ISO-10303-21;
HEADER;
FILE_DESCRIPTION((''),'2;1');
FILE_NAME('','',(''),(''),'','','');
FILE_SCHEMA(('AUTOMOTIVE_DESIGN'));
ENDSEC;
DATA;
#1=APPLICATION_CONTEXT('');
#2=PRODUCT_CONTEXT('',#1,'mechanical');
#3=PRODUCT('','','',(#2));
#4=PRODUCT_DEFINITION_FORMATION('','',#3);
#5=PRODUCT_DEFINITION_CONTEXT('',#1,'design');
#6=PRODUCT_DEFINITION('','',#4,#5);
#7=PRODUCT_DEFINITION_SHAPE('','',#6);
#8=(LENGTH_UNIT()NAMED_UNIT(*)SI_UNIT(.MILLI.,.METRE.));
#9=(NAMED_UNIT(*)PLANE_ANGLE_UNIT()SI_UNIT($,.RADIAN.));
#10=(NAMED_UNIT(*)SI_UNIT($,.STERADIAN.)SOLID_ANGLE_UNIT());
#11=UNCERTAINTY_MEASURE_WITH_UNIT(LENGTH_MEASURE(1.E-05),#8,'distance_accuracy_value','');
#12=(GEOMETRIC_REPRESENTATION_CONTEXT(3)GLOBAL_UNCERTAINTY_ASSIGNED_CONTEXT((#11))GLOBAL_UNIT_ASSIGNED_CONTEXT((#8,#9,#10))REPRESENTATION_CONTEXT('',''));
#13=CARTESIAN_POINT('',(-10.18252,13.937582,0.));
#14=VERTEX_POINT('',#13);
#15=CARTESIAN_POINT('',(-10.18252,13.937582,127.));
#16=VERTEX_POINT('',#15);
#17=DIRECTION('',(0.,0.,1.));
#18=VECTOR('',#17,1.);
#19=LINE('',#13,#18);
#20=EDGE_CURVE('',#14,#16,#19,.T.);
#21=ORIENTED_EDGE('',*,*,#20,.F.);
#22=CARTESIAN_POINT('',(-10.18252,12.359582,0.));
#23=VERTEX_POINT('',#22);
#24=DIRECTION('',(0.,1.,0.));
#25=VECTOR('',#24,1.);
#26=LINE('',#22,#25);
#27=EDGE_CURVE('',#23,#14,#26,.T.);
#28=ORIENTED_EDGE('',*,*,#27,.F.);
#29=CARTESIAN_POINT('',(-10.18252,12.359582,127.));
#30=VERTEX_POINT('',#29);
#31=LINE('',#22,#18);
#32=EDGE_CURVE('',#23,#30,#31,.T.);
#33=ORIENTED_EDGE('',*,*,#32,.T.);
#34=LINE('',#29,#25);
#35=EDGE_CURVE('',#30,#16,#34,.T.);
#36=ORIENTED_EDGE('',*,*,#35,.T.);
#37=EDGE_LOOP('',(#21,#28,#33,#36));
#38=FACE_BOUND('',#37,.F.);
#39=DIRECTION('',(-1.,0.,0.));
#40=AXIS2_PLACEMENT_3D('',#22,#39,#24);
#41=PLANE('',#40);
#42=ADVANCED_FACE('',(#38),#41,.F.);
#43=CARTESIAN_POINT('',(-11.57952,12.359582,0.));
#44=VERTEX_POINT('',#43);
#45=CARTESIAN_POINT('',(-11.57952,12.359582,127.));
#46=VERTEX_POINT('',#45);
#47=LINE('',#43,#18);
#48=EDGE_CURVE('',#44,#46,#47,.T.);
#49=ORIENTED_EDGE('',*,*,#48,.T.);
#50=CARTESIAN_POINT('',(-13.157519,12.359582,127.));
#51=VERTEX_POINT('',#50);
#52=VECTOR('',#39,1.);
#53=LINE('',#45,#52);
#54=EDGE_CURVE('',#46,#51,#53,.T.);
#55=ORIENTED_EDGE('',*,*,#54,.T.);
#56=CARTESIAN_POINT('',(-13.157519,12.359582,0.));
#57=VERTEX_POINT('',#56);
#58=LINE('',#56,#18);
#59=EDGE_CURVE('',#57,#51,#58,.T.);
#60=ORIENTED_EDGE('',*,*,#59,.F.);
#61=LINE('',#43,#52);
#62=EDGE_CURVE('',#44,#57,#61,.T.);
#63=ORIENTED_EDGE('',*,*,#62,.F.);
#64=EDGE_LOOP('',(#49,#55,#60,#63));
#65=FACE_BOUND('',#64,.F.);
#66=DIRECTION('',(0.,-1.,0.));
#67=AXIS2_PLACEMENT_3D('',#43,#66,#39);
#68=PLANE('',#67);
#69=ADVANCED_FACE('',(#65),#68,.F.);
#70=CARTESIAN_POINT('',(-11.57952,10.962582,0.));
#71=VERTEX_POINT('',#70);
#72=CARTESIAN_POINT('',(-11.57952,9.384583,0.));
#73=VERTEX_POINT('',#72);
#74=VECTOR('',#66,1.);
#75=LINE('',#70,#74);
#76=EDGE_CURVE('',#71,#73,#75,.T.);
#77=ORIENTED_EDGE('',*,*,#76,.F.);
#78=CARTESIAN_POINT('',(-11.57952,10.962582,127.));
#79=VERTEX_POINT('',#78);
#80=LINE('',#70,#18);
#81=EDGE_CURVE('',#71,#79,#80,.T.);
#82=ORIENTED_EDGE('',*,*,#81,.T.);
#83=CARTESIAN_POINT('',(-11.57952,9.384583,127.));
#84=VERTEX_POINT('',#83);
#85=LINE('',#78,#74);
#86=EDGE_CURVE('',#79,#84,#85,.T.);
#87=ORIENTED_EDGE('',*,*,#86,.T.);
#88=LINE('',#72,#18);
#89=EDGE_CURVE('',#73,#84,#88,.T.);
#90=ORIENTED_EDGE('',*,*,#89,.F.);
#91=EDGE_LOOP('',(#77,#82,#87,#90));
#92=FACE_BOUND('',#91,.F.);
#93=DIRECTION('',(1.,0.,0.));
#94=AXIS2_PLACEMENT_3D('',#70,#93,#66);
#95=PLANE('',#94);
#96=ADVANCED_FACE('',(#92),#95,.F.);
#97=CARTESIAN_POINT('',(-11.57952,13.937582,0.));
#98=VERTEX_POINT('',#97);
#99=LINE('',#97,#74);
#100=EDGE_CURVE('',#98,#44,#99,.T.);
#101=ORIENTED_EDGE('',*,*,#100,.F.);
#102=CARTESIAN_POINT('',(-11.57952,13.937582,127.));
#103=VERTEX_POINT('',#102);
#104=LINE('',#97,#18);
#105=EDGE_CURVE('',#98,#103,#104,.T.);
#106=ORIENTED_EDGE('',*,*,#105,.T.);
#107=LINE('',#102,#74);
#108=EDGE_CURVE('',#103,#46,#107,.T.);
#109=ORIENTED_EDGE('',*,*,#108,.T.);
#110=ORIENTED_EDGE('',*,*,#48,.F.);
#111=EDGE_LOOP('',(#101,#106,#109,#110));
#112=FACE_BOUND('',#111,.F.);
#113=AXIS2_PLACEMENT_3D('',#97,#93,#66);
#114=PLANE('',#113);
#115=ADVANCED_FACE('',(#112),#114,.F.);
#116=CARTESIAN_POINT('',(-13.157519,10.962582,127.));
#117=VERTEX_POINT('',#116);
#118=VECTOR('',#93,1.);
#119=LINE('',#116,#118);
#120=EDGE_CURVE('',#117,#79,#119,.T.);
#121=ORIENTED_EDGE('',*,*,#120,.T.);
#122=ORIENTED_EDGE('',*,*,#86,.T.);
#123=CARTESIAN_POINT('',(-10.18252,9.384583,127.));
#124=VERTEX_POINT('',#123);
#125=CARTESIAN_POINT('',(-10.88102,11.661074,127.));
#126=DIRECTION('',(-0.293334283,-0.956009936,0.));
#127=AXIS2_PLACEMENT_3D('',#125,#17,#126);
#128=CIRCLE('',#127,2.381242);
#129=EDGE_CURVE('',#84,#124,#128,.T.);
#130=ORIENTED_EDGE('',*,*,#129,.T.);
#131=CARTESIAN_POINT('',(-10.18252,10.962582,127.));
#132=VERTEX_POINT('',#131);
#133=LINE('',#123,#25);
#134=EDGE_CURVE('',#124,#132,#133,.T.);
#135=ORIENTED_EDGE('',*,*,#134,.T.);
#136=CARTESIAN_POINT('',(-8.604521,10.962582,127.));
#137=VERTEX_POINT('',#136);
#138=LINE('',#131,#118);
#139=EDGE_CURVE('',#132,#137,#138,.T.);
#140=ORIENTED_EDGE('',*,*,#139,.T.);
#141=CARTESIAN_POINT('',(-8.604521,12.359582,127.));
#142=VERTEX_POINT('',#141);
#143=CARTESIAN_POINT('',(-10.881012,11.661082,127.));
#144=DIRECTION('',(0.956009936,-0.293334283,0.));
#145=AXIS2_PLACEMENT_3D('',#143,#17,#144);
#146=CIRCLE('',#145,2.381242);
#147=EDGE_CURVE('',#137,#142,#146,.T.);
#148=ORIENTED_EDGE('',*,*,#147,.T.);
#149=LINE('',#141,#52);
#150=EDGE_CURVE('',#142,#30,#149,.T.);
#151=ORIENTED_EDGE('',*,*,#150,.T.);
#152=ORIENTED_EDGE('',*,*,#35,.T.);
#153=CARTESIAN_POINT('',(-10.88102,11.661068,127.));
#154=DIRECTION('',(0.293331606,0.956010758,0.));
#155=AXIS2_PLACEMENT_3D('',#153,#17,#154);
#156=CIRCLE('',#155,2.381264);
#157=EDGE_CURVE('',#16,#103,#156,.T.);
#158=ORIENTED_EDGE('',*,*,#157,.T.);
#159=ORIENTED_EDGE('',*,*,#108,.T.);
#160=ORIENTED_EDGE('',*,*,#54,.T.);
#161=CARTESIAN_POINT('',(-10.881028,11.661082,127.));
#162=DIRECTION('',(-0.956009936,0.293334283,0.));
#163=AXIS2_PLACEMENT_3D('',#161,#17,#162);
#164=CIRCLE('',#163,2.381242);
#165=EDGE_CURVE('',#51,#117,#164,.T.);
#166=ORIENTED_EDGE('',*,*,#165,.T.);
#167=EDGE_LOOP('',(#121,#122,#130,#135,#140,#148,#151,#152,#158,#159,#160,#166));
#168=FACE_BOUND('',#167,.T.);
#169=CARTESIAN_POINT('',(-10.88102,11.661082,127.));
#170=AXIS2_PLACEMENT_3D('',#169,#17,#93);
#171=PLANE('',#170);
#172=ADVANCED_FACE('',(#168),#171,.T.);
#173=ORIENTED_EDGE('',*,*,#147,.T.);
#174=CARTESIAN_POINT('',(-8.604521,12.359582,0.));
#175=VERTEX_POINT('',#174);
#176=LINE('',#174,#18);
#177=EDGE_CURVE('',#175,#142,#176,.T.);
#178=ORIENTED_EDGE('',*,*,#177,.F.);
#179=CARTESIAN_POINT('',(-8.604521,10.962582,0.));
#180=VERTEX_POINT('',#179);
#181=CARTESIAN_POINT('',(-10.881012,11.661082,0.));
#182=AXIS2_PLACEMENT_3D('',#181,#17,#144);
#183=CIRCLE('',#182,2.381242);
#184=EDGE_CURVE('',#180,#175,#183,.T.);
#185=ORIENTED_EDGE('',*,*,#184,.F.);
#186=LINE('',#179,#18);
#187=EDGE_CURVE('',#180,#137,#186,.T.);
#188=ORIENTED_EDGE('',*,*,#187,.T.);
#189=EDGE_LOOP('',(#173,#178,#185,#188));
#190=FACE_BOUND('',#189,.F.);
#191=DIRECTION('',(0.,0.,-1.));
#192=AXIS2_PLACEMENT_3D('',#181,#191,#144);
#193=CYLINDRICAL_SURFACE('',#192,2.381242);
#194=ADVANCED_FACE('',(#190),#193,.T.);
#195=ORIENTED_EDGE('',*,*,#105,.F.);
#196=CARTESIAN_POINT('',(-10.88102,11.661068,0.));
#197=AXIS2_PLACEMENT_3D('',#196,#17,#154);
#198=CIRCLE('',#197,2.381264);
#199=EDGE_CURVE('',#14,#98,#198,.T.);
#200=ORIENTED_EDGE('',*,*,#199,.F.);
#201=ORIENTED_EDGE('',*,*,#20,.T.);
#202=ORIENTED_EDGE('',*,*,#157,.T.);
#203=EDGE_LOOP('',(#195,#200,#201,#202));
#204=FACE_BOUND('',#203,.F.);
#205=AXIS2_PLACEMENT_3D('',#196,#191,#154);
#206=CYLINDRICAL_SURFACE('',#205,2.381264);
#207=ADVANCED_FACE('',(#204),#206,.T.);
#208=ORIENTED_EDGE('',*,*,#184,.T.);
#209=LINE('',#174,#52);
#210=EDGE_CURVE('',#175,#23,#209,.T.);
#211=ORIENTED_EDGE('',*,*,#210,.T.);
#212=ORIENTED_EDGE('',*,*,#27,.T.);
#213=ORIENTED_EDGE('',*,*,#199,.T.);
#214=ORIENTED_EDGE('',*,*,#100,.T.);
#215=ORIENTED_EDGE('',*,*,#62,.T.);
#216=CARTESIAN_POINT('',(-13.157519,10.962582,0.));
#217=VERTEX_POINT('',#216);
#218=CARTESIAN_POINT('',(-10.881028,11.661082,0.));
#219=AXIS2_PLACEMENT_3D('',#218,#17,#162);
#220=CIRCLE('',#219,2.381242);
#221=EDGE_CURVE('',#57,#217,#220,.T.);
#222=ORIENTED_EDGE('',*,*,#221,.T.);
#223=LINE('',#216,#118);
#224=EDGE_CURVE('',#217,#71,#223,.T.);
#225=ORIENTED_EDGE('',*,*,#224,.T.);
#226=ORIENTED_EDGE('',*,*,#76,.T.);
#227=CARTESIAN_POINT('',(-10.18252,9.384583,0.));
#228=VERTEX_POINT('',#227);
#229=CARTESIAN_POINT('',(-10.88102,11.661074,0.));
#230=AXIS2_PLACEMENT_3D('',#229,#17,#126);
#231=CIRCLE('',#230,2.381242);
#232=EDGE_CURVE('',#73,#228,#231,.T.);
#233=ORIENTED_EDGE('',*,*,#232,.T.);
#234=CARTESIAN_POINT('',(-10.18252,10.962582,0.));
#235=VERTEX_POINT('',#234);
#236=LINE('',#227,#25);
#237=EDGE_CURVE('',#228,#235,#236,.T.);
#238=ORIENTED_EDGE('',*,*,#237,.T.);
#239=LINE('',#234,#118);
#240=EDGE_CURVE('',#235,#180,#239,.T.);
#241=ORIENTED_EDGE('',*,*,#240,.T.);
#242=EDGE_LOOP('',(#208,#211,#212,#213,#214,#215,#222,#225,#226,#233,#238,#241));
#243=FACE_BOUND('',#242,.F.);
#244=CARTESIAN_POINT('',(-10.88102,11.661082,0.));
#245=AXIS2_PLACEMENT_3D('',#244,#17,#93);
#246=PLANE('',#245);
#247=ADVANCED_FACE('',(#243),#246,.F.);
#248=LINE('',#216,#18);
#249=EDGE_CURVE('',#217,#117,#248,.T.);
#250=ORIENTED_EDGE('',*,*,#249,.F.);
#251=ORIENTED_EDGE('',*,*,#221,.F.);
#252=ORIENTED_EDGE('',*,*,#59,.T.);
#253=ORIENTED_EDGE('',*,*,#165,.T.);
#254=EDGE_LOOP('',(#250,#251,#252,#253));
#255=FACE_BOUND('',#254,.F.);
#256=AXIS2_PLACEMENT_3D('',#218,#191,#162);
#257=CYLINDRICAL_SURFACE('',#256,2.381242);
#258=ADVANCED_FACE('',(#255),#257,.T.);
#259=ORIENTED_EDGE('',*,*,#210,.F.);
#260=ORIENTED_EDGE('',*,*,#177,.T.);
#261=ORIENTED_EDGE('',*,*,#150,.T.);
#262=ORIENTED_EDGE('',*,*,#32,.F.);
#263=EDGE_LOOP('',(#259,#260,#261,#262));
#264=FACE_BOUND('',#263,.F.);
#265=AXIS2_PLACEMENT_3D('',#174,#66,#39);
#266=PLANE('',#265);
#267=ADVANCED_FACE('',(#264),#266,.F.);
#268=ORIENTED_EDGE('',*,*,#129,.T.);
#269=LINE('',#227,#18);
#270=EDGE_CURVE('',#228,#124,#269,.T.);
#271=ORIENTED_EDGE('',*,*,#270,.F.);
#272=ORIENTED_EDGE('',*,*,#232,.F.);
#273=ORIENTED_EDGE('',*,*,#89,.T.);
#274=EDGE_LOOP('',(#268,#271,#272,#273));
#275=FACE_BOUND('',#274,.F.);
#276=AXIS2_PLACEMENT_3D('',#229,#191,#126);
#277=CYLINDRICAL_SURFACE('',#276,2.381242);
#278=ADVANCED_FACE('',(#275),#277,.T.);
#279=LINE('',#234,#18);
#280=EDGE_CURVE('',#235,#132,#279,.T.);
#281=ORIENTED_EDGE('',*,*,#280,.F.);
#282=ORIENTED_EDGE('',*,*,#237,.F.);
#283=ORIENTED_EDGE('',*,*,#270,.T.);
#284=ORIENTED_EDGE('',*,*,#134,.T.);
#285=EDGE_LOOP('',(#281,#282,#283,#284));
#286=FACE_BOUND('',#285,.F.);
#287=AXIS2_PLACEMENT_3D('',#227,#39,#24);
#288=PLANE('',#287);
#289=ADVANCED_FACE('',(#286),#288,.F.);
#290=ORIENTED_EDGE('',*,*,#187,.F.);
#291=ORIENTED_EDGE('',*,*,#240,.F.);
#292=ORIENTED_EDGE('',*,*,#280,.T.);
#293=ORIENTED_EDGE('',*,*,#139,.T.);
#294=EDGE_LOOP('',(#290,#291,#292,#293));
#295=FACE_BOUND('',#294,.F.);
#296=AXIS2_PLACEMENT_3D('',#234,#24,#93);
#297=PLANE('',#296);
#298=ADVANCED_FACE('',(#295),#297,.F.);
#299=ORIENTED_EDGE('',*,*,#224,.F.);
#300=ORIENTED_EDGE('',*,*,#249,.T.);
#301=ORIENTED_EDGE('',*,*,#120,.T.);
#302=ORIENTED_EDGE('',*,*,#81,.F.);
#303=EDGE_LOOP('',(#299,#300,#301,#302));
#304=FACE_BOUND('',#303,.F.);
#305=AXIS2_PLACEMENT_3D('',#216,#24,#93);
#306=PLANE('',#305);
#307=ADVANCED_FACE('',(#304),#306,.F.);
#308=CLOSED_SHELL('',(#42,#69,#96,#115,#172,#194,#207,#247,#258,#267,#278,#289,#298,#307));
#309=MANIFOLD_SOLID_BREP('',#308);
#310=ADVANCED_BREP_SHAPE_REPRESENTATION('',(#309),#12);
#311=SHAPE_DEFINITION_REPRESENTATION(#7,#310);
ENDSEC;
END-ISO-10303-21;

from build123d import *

# Parameters (mm, degrees)
F1_DEPTH = 127


with BuildPart() as f1:
    # F0 (on Top) → F1 (new body)
    with BuildSketch(Plane.XY):
        with BuildLine():
            Line((-11.57952, 10.962582), (-11.57952, 9.384583))
            ThreePointArc((-11.57952, 9.384583), (-10.88102, 9.279832), (-10.18252, 9.384583))
            Line((-10.18252, 9.384583), (-10.18252, 10.962582))
            Line((-10.18252, 10.962582), (-8.604521, 10.962582))
            ThreePointArc((-8.604521, 10.962582), (-8.49977, 11.661082), (-8.604521, 12.359582))
            Line((-8.604521, 12.359582), (-10.18252, 12.359582))
            Line((-10.18252, 12.359582), (-10.18252, 13.937582))
            ThreePointArc((-10.18252, 13.937582), (-10.88102, 14.042332), (-11.57952, 13.937582))
            Line((-11.57952, 13.937582), (-11.57952, 12.359582))
            Line((-11.57952, 12.359582), (-13.157519, 12.359582))
            ThreePointArc((-13.157519, 12.359582), (-13.26227, 11.661082), (-13.157519, 10.962582))
            Line((-13.157519, 10.962582), (-11.57952, 10.962582))
        make_face()
    extrude(amount=F1_DEPTH)


solid = f1.part
